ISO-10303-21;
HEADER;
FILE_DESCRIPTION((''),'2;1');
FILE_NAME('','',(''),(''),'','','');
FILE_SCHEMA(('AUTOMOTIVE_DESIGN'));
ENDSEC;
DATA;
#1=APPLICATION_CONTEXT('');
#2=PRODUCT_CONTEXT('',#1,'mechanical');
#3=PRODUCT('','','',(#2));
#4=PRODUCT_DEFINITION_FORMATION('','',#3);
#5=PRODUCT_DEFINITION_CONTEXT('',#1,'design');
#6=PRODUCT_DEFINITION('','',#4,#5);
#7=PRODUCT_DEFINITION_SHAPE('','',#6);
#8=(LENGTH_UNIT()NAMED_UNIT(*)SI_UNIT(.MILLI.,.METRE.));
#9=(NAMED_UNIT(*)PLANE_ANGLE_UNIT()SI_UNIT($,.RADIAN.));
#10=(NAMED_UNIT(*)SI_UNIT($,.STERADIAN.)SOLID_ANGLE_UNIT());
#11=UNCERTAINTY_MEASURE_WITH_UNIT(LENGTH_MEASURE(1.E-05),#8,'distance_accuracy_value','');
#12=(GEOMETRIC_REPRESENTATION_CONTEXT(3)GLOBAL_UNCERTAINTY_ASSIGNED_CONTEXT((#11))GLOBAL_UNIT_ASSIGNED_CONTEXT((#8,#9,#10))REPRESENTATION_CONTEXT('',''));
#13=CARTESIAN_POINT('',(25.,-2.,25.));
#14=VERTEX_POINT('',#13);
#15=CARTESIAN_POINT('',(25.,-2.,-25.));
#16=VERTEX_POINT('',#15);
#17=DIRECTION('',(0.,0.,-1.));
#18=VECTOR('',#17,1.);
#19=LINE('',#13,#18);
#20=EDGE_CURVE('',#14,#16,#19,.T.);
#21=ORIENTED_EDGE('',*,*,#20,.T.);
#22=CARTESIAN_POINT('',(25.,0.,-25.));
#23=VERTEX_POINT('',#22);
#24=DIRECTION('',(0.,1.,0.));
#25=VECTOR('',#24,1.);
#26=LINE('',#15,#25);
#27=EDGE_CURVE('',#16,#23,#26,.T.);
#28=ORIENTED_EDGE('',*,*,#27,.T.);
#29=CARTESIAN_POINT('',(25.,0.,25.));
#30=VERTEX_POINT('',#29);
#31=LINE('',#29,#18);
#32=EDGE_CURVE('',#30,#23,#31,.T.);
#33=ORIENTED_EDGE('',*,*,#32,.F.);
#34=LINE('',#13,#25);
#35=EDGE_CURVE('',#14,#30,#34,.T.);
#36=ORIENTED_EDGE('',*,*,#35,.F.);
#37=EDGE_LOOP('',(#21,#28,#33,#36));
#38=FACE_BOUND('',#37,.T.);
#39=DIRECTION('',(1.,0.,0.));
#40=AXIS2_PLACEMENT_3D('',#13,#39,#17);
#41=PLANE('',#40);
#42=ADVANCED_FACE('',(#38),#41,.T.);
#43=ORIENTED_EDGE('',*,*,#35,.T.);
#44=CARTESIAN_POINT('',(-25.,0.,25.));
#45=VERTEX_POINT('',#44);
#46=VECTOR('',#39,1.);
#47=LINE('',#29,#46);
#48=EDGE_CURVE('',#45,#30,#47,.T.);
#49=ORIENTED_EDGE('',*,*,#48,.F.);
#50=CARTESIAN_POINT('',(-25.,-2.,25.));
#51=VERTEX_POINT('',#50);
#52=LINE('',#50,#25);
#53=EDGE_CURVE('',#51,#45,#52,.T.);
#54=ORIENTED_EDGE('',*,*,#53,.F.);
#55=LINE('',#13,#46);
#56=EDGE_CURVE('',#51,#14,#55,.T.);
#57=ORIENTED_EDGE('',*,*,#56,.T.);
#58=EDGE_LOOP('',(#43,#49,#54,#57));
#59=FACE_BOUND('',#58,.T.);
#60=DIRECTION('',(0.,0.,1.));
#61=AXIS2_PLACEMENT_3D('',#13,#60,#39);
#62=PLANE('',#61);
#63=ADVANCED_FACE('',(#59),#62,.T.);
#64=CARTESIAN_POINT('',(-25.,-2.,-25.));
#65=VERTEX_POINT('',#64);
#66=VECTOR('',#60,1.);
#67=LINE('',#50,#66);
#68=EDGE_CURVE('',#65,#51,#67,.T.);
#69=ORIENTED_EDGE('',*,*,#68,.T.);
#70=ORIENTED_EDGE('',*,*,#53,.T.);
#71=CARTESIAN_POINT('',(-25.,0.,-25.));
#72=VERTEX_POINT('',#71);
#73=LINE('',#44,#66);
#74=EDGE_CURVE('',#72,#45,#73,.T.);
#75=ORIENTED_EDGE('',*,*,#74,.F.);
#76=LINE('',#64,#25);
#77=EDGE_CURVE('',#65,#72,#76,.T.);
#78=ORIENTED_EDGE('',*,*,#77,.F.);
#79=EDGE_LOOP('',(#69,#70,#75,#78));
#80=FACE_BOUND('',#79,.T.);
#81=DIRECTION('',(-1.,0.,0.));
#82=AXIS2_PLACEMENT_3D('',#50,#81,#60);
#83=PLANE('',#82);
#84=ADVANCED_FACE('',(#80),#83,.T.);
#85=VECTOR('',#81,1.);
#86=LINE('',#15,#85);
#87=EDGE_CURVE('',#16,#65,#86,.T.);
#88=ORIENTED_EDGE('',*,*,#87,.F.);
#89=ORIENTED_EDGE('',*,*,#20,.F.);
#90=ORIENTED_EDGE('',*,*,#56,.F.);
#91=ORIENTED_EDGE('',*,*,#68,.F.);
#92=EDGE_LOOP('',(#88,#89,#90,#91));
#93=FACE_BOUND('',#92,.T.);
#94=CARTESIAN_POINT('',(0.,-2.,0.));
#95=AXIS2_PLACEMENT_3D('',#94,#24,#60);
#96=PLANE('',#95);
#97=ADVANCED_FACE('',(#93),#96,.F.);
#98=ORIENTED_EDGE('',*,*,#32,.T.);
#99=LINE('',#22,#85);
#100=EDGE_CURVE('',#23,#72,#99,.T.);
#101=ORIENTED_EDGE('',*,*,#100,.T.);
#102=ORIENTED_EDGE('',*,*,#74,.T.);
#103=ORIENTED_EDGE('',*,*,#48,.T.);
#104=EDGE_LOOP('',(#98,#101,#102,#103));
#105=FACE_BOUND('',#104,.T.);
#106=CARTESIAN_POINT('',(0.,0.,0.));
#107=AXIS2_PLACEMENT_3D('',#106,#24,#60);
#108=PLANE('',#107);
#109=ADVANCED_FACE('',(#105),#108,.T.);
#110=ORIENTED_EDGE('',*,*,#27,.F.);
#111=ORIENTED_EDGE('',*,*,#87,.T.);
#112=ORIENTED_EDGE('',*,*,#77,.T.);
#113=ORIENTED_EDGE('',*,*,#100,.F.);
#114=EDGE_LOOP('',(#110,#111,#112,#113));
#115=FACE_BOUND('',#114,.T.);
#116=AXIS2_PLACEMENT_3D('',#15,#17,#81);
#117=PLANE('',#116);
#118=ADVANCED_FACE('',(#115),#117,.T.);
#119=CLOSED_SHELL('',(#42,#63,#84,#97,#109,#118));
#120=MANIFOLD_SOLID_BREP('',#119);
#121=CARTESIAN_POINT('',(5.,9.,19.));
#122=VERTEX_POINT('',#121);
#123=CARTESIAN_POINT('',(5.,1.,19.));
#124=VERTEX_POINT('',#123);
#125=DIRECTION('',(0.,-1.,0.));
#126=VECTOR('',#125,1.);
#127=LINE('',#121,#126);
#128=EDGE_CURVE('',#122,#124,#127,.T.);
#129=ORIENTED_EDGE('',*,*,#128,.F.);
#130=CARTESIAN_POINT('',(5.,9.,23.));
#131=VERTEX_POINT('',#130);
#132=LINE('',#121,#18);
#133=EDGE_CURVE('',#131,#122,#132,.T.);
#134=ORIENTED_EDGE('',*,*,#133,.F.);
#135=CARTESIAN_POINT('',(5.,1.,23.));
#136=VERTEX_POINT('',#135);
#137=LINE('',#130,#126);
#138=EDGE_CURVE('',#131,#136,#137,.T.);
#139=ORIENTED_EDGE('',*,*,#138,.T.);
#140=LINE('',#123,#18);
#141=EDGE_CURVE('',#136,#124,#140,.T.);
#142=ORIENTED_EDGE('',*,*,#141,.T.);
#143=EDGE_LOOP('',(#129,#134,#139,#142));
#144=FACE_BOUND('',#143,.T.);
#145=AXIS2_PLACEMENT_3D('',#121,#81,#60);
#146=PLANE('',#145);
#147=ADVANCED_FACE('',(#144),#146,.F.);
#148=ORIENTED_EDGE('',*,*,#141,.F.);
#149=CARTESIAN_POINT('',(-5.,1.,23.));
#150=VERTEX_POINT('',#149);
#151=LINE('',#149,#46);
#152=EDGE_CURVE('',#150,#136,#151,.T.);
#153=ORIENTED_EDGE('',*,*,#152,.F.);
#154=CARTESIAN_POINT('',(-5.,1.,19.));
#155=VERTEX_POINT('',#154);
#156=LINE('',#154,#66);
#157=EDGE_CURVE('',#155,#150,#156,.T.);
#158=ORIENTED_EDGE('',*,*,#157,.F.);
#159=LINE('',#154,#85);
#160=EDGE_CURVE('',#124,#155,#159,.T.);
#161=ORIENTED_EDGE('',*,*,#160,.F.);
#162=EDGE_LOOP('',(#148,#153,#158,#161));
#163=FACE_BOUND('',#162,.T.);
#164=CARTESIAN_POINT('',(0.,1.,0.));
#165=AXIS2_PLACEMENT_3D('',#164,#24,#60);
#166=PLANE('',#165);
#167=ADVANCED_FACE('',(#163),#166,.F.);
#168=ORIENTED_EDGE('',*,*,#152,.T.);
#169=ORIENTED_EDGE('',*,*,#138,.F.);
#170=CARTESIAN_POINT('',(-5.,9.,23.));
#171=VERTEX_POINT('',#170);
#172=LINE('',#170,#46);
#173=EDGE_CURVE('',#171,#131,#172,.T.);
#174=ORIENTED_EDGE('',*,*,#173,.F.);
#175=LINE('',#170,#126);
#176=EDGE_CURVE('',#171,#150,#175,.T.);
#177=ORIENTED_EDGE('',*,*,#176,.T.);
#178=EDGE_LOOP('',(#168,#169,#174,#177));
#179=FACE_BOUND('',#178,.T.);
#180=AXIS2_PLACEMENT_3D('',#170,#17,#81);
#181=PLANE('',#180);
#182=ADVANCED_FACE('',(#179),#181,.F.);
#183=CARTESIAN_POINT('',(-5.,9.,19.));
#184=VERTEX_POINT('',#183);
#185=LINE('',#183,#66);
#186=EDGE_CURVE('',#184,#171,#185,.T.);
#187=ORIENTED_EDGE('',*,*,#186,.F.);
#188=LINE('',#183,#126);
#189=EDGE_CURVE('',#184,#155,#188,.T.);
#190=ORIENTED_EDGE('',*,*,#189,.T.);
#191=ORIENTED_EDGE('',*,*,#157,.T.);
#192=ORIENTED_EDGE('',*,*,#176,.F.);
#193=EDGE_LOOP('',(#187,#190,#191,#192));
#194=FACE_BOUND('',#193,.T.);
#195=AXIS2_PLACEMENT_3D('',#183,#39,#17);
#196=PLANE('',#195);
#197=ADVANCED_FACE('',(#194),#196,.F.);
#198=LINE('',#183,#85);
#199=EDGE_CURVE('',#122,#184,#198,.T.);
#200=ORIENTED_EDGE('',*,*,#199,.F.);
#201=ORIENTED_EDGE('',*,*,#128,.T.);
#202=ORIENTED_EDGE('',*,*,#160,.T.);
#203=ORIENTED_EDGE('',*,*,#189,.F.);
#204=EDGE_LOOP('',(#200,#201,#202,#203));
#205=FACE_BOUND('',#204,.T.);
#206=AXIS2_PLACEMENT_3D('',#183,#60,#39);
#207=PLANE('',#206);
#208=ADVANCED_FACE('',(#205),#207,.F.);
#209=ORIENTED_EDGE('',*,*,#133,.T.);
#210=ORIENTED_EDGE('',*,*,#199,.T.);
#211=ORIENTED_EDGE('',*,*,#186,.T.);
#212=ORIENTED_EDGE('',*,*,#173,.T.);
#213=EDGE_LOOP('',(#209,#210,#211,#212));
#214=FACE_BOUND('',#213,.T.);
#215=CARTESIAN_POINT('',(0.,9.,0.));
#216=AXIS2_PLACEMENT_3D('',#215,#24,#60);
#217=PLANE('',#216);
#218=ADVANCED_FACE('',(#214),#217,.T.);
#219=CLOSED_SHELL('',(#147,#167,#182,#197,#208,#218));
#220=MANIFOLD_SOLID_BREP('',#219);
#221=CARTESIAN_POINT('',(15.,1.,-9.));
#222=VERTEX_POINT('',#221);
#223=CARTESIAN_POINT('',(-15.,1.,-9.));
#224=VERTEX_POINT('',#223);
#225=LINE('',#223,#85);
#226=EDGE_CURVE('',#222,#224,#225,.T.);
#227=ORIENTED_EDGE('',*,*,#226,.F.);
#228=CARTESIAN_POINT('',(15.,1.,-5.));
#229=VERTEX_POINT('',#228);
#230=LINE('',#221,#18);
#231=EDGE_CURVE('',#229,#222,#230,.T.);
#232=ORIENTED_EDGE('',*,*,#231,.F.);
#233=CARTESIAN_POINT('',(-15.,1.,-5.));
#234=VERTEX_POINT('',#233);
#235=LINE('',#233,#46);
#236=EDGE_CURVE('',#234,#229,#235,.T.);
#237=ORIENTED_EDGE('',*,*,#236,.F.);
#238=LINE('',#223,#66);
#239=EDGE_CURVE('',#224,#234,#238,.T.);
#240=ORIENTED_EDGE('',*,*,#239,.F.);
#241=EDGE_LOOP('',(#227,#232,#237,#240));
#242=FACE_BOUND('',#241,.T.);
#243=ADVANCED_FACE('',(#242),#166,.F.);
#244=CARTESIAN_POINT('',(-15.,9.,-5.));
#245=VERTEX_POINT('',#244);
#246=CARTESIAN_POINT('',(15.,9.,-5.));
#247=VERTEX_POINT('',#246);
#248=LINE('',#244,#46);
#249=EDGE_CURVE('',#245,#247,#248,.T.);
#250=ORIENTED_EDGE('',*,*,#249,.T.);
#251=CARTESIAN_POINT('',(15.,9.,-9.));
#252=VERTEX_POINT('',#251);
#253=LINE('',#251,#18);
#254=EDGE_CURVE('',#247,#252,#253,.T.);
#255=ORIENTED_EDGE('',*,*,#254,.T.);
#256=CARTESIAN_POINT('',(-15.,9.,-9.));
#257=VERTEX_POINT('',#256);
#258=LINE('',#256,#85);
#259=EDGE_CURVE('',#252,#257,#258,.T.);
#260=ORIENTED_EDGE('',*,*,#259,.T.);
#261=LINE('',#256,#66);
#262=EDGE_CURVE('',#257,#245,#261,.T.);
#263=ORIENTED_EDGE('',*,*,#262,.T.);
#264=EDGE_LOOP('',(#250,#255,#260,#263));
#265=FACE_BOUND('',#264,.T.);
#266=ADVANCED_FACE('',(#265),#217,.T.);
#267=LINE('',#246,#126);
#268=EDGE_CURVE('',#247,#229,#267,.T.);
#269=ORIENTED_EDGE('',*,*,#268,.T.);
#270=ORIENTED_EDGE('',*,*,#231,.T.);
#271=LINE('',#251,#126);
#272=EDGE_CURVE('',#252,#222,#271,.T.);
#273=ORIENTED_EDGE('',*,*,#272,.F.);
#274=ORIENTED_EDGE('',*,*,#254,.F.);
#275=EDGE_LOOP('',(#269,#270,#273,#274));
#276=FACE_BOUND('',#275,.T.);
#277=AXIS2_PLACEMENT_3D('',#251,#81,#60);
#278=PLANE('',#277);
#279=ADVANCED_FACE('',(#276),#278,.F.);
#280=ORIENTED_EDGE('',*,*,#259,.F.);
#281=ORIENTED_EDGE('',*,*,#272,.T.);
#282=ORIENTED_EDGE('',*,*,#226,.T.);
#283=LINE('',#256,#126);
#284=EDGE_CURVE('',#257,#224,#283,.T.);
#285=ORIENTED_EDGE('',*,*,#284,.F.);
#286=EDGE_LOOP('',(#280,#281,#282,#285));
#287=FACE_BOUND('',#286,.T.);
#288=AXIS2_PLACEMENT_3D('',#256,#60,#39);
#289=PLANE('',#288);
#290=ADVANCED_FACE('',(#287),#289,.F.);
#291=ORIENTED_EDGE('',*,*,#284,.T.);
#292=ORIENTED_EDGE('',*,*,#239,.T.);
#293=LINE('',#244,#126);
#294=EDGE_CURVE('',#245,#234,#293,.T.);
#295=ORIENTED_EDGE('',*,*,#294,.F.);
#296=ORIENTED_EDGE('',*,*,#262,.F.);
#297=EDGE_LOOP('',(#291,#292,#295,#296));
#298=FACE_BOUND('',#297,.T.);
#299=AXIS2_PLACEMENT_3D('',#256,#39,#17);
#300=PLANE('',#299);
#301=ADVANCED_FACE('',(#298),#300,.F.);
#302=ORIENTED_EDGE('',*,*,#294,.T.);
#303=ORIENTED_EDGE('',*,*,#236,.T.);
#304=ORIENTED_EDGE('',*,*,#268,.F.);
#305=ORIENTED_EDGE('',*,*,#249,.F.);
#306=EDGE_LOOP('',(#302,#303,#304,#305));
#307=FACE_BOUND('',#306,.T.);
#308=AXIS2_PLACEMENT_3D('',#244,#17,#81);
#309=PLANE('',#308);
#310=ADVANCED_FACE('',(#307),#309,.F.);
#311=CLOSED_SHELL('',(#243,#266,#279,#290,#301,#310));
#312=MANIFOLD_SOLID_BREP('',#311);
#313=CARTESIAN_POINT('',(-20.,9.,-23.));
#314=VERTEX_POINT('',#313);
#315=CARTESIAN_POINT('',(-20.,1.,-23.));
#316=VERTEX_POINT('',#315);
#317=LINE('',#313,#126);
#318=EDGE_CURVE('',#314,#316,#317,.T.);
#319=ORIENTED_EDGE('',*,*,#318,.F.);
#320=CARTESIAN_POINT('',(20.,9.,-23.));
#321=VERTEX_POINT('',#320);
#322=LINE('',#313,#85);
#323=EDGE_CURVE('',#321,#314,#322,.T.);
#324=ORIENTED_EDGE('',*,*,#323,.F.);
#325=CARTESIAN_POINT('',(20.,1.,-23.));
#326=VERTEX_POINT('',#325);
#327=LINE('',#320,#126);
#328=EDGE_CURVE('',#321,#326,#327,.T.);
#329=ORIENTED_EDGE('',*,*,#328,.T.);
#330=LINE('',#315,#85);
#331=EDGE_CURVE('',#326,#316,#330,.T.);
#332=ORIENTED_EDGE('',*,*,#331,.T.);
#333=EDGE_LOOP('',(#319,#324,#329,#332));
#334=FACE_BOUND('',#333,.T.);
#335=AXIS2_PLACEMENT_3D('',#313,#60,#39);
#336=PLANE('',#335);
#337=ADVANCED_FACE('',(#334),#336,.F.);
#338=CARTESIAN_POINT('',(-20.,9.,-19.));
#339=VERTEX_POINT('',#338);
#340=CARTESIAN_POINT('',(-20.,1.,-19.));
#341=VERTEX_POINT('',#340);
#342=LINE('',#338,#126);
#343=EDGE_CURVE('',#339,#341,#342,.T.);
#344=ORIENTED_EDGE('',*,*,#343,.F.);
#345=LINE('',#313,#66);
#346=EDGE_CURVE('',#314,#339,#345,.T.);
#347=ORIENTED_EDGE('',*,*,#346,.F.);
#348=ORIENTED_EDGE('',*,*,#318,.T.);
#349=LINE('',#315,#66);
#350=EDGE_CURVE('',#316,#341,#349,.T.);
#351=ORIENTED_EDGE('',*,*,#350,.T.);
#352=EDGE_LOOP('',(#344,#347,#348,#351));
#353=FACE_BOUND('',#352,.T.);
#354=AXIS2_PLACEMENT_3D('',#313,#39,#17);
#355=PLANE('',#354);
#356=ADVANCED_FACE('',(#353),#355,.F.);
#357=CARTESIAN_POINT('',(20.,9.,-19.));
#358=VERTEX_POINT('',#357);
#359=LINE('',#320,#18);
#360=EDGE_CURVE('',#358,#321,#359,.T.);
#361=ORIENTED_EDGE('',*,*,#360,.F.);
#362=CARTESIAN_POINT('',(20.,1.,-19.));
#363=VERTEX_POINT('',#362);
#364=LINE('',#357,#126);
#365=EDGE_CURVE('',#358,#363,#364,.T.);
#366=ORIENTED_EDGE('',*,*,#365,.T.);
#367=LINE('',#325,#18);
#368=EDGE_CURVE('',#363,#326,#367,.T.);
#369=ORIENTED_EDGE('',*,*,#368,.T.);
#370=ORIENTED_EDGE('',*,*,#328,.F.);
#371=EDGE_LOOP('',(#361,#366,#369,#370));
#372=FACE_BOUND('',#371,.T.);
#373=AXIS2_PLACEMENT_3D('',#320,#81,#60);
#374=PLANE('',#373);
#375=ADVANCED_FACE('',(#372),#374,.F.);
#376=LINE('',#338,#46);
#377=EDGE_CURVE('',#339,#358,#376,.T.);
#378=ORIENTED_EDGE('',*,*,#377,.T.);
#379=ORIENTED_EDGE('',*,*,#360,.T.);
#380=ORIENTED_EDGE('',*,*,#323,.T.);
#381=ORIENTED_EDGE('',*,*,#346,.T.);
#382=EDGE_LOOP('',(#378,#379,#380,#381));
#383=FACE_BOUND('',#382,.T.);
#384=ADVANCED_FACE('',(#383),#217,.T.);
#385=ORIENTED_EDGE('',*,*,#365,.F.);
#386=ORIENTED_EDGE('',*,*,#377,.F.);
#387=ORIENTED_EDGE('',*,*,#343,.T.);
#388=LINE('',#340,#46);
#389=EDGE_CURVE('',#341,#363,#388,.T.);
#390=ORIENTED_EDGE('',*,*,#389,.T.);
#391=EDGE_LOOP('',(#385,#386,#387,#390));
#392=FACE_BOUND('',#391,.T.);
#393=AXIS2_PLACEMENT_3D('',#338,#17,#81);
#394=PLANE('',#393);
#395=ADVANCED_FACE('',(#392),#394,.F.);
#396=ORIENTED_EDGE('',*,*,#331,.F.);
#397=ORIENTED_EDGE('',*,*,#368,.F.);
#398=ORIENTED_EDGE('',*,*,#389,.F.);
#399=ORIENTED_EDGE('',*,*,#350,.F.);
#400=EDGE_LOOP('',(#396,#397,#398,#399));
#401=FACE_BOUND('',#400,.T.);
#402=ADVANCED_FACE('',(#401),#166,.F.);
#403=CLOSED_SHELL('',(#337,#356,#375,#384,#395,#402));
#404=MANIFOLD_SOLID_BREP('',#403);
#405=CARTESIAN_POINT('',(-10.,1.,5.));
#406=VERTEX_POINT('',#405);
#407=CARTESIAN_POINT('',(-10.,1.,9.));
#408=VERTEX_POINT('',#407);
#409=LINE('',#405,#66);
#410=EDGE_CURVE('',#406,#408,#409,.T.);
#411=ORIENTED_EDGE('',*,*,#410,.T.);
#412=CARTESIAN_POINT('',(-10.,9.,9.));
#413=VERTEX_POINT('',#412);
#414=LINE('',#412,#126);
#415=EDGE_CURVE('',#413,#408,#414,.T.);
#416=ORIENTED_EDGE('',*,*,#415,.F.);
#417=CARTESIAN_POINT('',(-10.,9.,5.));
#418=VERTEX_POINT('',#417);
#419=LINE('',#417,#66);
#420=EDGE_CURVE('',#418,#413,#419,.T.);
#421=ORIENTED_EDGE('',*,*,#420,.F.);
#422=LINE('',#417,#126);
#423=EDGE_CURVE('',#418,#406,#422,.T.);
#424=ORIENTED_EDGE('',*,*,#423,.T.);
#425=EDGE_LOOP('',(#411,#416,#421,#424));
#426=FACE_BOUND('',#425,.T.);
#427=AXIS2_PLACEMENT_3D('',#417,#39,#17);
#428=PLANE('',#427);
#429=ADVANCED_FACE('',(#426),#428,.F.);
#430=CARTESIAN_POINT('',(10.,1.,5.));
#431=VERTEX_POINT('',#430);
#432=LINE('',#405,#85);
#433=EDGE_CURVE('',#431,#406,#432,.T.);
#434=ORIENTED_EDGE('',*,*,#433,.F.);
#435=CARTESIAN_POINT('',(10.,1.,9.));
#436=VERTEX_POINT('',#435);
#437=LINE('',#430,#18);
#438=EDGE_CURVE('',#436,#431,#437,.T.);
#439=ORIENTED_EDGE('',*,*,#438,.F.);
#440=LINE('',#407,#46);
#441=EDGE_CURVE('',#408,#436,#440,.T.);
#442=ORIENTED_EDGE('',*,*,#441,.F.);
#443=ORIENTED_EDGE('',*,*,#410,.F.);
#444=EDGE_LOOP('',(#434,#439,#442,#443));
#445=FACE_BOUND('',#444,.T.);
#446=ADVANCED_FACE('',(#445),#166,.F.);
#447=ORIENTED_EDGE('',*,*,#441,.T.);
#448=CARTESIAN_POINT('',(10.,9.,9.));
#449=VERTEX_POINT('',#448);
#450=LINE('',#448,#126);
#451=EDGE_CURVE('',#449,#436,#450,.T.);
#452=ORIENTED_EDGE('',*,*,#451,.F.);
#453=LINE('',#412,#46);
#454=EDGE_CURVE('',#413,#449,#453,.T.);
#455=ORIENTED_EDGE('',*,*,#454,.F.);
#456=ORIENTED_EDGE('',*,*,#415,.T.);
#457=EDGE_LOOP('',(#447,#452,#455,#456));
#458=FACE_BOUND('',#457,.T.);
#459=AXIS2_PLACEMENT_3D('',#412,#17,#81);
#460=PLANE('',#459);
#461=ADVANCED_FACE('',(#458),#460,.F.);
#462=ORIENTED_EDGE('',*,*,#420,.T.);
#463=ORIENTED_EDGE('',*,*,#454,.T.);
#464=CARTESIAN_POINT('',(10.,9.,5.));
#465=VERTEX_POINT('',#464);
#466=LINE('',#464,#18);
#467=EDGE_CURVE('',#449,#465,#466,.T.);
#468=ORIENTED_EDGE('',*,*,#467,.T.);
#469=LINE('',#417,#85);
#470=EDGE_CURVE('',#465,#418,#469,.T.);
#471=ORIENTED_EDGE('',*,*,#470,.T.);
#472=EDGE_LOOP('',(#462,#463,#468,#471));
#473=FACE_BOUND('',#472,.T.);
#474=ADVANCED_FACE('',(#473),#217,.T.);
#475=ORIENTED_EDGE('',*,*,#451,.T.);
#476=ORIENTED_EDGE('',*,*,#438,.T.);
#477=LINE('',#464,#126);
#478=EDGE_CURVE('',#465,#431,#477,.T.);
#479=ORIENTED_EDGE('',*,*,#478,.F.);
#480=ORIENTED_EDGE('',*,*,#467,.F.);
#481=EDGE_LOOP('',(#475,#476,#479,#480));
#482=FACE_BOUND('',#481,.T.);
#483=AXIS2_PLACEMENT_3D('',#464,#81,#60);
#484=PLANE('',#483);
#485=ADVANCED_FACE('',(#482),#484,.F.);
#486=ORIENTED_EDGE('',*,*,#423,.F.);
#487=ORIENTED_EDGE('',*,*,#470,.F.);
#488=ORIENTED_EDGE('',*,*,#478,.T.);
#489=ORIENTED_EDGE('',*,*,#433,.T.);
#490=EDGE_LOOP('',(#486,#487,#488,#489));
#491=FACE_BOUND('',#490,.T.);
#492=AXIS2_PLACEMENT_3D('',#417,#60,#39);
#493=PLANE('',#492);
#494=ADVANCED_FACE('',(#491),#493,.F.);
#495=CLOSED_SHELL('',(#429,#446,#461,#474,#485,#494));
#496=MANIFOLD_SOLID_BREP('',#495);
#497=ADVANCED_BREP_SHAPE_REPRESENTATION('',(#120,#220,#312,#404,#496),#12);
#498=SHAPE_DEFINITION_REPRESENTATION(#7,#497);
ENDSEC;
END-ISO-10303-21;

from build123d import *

# Parameters (mm, degrees)
SKETCH5_W             = 10
SKETCH5_H             = 4
BOSS_EXTRUDE4_DEPTH   = 8
SKETCH5_W_2           = 20
BOSS_EXTRUDE4_2_DEPTH = 8
SKETCH5_W_3           = 30
BOSS_EXTRUDE4_3_DEPTH = 8
SKETCH5_W_4           = 40
BOSS_EXTRUDE4_4_DEPTH = 8
SKETCH1_W             = 50
SKETCH1_H             = 50
BOSS_EXTRUDE5_DEPTH   = 2


with BuildPart() as part:
    # Sketch5 → Boss-Extrude4 (new body)
    with BuildSketch(Plane(origin=(0, 1, 0), x_dir=(1, 0, 0), z_dir=(0, 1, 0))):
        with Locations((0, -21)):
            Rectangle(SKETCH5_W, SKETCH5_H)
    extrude(amount=BOSS_EXTRUDE4_DEPTH)


with BuildPart() as body_2:
    # Sketch5 → Boss-Extrude4 2 (new body)
    with BuildSketch(Plane(origin=(0, 1, 0), x_dir=(1, 0, 0), z_dir=(0, 1, 0))):
        with Locations((0, -7)):
            Rectangle(SKETCH5_W_2, SKETCH5_H)
    extrude(amount=BOSS_EXTRUDE4_2_DEPTH)


with BuildPart() as body_3:
    # Sketch5 → Boss-Extrude4 3 (new body)
    with BuildSketch(Plane(origin=(0, 1, 0), x_dir=(1, 0, 0), z_dir=(0, 1, 0))):
        with Locations((0, 7)):
            Rectangle(SKETCH5_W_3, SKETCH5_H)
    extrude(amount=BOSS_EXTRUDE4_3_DEPTH)


with BuildPart() as body_4:
    # Sketch5 → Boss-Extrude4 4 (new body)
    with BuildSketch(Plane(origin=(0, 1, 0), x_dir=(1, 0, 0), z_dir=(0, 1, 0))):
        with Locations((0, 21)):
            Rectangle(SKETCH5_W_4, SKETCH5_H)
    extrude(amount=BOSS_EXTRUDE4_4_DEPTH)


with BuildPart() as body_5:
    # Sketch1 → Boss-Extrude5 (new body)
    with BuildSketch(Plane(origin=(0, 0, 0), x_dir=(1, 0, 0), z_dir=(0, 1, 0))):
        Rectangle(SKETCH1_W, SKETCH1_H)
    extrude(amount=-BOSS_EXTRUDE5_DEPTH)


solid = Compound([part.part, body_2.part, body_3.part, body_4.part, body_5.part])
